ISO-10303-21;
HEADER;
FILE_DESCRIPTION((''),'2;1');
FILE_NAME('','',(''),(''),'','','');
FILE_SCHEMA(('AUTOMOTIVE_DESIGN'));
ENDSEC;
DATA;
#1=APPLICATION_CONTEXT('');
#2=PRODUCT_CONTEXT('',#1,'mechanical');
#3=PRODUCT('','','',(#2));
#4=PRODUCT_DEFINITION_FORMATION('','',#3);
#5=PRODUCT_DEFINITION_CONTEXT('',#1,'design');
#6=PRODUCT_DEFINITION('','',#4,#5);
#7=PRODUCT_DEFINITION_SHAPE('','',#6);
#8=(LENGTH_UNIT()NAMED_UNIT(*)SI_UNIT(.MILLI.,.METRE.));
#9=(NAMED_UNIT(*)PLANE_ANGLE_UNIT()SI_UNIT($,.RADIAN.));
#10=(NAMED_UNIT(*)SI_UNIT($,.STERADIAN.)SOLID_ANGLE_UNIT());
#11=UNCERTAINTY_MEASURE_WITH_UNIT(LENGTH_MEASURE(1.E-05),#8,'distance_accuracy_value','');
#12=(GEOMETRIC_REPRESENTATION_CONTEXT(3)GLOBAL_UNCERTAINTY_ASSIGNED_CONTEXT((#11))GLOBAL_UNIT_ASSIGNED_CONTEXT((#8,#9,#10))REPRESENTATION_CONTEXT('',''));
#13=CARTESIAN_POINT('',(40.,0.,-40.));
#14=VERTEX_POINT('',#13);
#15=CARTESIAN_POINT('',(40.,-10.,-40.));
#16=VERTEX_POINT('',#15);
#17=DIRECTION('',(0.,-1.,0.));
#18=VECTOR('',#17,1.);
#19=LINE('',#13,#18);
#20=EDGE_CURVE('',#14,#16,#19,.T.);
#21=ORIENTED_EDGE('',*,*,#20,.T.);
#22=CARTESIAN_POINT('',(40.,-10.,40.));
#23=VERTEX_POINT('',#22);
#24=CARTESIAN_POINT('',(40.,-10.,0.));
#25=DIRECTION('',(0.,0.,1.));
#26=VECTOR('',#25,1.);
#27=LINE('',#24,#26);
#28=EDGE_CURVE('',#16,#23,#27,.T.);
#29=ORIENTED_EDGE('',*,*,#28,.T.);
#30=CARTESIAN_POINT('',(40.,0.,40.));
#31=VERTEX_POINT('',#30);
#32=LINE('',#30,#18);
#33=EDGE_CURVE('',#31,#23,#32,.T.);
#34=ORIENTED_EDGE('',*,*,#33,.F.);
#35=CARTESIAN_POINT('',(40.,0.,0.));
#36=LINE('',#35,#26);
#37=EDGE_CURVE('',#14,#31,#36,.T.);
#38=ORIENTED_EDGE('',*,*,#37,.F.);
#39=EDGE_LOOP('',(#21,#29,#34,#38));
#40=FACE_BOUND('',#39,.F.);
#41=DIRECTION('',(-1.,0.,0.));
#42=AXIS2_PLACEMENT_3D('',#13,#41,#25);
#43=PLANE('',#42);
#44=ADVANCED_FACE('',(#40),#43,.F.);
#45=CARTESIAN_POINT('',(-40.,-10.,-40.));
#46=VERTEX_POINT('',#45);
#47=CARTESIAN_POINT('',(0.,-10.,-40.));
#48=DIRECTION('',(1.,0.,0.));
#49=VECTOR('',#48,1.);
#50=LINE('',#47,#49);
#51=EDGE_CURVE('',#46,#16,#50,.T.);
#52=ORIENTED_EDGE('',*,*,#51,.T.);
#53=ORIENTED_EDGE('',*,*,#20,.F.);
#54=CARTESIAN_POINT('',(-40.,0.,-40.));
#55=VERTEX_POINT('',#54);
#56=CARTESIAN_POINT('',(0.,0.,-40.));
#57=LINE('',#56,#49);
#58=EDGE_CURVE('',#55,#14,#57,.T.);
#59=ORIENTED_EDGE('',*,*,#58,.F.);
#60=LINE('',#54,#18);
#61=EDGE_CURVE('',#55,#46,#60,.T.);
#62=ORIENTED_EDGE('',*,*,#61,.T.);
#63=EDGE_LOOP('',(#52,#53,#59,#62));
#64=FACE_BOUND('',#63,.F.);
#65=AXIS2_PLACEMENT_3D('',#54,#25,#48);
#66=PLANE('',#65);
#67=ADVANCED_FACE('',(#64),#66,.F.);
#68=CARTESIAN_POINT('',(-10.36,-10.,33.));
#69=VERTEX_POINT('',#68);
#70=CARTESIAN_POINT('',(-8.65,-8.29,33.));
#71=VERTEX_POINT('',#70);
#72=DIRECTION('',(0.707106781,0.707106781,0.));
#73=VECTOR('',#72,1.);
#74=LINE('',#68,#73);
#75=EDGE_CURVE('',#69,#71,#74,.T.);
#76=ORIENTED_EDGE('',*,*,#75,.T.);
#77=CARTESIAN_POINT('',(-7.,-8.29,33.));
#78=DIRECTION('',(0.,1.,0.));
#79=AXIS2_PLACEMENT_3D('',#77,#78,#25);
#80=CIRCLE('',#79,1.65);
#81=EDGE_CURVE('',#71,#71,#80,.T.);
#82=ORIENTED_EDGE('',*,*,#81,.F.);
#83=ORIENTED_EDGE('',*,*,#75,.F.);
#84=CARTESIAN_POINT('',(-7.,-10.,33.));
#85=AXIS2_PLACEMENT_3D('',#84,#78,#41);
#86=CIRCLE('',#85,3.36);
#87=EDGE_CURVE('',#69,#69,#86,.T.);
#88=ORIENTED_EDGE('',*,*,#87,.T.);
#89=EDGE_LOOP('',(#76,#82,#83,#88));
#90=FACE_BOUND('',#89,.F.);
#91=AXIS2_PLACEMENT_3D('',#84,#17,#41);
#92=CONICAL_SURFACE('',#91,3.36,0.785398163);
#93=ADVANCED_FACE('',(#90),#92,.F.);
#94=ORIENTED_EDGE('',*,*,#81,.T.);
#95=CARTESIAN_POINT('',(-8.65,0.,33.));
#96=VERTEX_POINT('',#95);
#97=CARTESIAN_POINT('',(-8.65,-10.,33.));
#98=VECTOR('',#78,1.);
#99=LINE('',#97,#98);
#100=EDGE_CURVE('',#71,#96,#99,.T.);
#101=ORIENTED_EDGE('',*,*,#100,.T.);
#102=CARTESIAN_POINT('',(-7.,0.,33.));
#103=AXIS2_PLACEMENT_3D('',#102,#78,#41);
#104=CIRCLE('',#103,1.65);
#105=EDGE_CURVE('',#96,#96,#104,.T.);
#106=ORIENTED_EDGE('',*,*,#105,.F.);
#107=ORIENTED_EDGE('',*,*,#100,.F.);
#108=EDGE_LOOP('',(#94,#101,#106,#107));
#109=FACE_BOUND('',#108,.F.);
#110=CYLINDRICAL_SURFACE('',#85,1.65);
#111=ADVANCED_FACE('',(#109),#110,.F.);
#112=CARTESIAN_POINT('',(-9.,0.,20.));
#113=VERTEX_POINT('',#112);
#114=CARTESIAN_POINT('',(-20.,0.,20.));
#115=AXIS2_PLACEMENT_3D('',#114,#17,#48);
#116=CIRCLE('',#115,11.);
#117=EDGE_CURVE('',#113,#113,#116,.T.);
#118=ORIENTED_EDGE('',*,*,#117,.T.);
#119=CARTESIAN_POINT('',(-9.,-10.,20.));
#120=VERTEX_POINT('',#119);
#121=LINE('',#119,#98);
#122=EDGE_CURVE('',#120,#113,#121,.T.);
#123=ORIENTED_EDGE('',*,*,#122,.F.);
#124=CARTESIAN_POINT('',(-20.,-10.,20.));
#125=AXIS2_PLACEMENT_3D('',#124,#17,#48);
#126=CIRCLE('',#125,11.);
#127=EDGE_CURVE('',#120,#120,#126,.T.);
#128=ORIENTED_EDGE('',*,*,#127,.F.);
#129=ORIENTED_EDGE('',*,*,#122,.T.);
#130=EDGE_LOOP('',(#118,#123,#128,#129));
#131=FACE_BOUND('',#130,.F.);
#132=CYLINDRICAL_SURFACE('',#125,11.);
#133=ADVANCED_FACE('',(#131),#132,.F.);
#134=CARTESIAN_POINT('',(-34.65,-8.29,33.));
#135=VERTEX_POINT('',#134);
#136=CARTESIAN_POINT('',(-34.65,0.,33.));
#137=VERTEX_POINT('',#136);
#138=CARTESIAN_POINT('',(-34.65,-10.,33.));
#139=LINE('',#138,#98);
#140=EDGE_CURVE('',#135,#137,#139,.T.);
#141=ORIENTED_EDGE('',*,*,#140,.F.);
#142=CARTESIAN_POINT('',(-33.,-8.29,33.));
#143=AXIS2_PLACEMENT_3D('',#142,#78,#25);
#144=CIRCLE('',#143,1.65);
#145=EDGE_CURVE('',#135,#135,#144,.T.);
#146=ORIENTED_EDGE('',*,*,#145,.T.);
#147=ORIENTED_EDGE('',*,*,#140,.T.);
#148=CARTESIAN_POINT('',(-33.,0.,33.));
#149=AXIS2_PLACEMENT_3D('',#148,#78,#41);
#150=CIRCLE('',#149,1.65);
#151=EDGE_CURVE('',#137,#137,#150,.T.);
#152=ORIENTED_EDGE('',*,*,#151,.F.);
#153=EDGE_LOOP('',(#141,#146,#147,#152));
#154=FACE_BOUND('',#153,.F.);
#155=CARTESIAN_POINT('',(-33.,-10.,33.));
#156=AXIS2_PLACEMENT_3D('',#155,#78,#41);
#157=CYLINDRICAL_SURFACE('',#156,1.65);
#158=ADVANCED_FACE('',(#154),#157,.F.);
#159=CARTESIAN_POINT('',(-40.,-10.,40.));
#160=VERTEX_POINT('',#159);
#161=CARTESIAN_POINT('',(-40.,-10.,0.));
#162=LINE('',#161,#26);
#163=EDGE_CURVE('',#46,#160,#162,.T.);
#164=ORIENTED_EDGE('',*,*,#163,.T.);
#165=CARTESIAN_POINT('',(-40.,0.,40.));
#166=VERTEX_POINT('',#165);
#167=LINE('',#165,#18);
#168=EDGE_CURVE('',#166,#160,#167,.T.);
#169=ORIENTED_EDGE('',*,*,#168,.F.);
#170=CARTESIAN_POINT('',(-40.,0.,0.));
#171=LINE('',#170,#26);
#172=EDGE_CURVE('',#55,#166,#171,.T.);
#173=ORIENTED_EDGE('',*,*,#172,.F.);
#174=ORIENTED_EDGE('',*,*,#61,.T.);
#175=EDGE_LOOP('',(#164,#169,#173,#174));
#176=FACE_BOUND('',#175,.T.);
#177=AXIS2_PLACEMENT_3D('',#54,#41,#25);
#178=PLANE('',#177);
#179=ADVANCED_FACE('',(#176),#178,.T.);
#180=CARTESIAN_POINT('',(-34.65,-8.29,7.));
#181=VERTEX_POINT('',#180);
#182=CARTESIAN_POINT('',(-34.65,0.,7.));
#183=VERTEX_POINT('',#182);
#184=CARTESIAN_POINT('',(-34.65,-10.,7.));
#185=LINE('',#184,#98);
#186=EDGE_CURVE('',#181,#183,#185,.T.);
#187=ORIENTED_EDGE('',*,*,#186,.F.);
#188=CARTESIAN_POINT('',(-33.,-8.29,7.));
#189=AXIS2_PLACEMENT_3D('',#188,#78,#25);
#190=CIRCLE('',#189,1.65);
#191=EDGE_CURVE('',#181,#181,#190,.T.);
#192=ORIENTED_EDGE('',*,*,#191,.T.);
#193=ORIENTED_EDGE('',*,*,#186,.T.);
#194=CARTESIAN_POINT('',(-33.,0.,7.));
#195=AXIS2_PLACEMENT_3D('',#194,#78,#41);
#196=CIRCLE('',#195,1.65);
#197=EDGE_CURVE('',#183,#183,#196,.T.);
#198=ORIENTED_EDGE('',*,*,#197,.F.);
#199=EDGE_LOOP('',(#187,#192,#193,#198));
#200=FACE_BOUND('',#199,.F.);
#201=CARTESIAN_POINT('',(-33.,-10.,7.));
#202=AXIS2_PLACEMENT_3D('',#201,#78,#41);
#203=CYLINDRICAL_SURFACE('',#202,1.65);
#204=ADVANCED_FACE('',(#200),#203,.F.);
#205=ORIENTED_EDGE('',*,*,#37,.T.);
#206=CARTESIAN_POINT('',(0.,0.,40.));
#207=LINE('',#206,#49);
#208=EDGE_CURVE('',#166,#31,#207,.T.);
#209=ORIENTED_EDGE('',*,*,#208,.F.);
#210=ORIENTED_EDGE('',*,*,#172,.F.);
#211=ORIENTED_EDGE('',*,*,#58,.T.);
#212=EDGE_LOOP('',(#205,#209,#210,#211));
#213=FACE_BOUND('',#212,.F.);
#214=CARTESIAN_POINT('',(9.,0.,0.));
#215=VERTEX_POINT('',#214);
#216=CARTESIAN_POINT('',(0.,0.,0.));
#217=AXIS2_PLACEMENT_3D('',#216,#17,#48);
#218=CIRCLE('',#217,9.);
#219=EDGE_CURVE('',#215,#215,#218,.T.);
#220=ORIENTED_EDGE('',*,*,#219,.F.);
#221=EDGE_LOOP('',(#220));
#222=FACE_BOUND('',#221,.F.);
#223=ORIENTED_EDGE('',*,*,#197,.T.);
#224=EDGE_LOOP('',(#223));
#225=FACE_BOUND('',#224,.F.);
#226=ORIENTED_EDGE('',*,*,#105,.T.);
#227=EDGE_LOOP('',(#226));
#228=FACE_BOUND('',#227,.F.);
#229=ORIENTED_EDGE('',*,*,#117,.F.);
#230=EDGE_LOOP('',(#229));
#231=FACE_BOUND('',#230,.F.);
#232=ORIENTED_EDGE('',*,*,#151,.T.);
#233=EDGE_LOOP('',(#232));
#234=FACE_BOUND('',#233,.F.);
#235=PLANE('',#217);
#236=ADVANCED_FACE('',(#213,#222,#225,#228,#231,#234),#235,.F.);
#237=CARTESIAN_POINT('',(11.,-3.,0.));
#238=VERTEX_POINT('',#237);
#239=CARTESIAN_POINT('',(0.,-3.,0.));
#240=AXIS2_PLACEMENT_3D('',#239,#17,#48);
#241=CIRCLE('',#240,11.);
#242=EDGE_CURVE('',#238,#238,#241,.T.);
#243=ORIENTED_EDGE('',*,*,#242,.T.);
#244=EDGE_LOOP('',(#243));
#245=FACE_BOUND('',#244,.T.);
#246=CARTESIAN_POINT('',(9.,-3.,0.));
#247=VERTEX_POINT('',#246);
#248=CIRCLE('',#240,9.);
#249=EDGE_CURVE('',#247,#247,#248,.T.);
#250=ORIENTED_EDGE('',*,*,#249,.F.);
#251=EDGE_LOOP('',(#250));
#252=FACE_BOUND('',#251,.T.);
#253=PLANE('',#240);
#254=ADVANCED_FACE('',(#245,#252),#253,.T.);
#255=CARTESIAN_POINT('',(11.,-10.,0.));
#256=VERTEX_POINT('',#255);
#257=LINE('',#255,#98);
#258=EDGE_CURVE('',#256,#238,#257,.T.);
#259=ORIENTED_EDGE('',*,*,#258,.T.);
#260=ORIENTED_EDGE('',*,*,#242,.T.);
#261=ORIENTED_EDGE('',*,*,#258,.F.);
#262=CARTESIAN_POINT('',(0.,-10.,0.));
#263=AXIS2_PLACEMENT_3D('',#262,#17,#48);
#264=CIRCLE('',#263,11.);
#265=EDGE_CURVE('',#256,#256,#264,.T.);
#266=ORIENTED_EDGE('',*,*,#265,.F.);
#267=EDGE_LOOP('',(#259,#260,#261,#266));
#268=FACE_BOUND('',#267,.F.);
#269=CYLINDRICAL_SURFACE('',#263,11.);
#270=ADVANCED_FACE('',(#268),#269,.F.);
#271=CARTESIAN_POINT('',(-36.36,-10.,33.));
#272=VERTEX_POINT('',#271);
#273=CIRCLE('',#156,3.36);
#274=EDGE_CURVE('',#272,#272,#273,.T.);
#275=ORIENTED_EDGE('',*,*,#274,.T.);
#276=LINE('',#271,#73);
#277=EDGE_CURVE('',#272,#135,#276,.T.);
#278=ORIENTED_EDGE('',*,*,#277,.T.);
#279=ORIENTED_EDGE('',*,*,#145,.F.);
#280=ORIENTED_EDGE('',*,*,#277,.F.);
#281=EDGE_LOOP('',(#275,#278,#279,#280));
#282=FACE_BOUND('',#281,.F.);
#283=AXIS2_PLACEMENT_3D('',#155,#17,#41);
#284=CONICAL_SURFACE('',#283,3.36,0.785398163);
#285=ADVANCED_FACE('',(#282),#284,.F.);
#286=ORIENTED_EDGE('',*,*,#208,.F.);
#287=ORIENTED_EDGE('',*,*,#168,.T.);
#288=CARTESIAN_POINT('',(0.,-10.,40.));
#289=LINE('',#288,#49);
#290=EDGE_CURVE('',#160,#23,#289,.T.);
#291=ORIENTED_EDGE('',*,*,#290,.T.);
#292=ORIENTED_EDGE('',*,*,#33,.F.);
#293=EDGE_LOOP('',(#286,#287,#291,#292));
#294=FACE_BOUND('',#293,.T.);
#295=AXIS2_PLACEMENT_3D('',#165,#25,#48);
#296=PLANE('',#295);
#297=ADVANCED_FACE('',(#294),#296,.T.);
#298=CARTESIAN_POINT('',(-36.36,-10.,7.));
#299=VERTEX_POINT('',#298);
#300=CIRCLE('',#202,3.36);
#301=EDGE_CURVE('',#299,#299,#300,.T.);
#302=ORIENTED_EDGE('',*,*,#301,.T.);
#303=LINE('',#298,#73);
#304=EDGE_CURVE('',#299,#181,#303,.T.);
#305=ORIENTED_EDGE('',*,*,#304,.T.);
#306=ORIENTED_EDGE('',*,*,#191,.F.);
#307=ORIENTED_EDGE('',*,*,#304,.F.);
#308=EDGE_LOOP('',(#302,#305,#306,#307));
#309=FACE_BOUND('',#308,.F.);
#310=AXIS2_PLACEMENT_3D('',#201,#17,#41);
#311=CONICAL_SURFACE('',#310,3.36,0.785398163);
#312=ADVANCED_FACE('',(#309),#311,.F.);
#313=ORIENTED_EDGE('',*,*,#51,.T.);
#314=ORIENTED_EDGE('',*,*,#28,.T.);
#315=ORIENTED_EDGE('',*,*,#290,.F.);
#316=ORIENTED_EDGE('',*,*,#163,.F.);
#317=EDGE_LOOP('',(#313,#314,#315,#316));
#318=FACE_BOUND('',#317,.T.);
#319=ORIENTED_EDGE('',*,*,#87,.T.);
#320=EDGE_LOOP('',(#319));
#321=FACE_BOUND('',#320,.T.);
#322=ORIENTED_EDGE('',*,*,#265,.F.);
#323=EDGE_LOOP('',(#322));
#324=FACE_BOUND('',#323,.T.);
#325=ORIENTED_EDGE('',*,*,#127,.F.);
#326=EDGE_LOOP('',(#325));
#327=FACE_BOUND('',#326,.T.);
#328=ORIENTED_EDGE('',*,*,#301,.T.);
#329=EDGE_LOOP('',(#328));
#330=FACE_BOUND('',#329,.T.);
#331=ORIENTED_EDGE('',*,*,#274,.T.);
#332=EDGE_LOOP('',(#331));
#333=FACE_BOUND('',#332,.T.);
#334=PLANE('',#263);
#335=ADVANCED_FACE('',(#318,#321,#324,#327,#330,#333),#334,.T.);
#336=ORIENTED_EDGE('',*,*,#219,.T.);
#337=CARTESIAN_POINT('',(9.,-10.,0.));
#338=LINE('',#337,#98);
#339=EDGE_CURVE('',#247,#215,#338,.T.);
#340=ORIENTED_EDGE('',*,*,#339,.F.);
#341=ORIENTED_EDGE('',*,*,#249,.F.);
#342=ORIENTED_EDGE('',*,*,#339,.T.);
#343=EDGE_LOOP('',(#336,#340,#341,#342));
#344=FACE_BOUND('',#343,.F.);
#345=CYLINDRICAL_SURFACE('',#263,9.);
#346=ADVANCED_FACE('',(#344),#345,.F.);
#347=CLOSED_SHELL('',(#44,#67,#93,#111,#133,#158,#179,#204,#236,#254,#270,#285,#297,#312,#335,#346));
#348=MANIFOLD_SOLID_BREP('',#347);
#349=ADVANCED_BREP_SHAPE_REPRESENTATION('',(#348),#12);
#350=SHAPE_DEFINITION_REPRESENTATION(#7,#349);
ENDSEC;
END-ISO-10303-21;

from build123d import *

# Parameters (mm, degrees)
F0_W           = 80
F0_H           = 80
F1_DEPTH       = 10
F3_D           = 3.3
F3_CSINK_D     = 6.72
F3_CSINK_ANGLE = 90
F2_R           = 11
F4_DEPTH       = 10.001
F5_R           = 9
F6_DEPTH       = 10.001
F7_R           = 11
F8_DEPTH       = 7


with BuildPart() as f1:
    # F0 (on Front) → F1 (new body)
    with BuildSketch(Plane.XZ):
        Rectangle(F0_W, F0_H)
    extrude(amount=F1_DEPTH)

    # F3 (through all)
    with Locations(Plane.XZ.offset(10)):
        with Locations((-33, 33), (-7, 33), (-33, 7)):
            CounterSinkHole(F3_D / 2, F3_CSINK_D / 2, counter_sink_angle=F3_CSINK_ANGLE)

    # F2 (on face) → F4 (cut, through all)
    with BuildSketch(Plane.XZ.offset(10)):
        with Locations((-20, 20)):
            Circle(F2_R)
    extrude(amount=-F4_DEPTH, mode=Mode.SUBTRACT)

    # F5 (on face) → F6 (cut, through all)
    with BuildSketch(Plane.XZ.offset(10)):
        Circle(F5_R)
    extrude(amount=-F6_DEPTH, mode=Mode.SUBTRACT)

    # F7 (on face) → F8 (cut)
    with BuildSketch(Plane.XZ.offset(10)):
        Circle(F7_R)
    extrude(amount=-F8_DEPTH, mode=Mode.SUBTRACT)


solid = f1.part
